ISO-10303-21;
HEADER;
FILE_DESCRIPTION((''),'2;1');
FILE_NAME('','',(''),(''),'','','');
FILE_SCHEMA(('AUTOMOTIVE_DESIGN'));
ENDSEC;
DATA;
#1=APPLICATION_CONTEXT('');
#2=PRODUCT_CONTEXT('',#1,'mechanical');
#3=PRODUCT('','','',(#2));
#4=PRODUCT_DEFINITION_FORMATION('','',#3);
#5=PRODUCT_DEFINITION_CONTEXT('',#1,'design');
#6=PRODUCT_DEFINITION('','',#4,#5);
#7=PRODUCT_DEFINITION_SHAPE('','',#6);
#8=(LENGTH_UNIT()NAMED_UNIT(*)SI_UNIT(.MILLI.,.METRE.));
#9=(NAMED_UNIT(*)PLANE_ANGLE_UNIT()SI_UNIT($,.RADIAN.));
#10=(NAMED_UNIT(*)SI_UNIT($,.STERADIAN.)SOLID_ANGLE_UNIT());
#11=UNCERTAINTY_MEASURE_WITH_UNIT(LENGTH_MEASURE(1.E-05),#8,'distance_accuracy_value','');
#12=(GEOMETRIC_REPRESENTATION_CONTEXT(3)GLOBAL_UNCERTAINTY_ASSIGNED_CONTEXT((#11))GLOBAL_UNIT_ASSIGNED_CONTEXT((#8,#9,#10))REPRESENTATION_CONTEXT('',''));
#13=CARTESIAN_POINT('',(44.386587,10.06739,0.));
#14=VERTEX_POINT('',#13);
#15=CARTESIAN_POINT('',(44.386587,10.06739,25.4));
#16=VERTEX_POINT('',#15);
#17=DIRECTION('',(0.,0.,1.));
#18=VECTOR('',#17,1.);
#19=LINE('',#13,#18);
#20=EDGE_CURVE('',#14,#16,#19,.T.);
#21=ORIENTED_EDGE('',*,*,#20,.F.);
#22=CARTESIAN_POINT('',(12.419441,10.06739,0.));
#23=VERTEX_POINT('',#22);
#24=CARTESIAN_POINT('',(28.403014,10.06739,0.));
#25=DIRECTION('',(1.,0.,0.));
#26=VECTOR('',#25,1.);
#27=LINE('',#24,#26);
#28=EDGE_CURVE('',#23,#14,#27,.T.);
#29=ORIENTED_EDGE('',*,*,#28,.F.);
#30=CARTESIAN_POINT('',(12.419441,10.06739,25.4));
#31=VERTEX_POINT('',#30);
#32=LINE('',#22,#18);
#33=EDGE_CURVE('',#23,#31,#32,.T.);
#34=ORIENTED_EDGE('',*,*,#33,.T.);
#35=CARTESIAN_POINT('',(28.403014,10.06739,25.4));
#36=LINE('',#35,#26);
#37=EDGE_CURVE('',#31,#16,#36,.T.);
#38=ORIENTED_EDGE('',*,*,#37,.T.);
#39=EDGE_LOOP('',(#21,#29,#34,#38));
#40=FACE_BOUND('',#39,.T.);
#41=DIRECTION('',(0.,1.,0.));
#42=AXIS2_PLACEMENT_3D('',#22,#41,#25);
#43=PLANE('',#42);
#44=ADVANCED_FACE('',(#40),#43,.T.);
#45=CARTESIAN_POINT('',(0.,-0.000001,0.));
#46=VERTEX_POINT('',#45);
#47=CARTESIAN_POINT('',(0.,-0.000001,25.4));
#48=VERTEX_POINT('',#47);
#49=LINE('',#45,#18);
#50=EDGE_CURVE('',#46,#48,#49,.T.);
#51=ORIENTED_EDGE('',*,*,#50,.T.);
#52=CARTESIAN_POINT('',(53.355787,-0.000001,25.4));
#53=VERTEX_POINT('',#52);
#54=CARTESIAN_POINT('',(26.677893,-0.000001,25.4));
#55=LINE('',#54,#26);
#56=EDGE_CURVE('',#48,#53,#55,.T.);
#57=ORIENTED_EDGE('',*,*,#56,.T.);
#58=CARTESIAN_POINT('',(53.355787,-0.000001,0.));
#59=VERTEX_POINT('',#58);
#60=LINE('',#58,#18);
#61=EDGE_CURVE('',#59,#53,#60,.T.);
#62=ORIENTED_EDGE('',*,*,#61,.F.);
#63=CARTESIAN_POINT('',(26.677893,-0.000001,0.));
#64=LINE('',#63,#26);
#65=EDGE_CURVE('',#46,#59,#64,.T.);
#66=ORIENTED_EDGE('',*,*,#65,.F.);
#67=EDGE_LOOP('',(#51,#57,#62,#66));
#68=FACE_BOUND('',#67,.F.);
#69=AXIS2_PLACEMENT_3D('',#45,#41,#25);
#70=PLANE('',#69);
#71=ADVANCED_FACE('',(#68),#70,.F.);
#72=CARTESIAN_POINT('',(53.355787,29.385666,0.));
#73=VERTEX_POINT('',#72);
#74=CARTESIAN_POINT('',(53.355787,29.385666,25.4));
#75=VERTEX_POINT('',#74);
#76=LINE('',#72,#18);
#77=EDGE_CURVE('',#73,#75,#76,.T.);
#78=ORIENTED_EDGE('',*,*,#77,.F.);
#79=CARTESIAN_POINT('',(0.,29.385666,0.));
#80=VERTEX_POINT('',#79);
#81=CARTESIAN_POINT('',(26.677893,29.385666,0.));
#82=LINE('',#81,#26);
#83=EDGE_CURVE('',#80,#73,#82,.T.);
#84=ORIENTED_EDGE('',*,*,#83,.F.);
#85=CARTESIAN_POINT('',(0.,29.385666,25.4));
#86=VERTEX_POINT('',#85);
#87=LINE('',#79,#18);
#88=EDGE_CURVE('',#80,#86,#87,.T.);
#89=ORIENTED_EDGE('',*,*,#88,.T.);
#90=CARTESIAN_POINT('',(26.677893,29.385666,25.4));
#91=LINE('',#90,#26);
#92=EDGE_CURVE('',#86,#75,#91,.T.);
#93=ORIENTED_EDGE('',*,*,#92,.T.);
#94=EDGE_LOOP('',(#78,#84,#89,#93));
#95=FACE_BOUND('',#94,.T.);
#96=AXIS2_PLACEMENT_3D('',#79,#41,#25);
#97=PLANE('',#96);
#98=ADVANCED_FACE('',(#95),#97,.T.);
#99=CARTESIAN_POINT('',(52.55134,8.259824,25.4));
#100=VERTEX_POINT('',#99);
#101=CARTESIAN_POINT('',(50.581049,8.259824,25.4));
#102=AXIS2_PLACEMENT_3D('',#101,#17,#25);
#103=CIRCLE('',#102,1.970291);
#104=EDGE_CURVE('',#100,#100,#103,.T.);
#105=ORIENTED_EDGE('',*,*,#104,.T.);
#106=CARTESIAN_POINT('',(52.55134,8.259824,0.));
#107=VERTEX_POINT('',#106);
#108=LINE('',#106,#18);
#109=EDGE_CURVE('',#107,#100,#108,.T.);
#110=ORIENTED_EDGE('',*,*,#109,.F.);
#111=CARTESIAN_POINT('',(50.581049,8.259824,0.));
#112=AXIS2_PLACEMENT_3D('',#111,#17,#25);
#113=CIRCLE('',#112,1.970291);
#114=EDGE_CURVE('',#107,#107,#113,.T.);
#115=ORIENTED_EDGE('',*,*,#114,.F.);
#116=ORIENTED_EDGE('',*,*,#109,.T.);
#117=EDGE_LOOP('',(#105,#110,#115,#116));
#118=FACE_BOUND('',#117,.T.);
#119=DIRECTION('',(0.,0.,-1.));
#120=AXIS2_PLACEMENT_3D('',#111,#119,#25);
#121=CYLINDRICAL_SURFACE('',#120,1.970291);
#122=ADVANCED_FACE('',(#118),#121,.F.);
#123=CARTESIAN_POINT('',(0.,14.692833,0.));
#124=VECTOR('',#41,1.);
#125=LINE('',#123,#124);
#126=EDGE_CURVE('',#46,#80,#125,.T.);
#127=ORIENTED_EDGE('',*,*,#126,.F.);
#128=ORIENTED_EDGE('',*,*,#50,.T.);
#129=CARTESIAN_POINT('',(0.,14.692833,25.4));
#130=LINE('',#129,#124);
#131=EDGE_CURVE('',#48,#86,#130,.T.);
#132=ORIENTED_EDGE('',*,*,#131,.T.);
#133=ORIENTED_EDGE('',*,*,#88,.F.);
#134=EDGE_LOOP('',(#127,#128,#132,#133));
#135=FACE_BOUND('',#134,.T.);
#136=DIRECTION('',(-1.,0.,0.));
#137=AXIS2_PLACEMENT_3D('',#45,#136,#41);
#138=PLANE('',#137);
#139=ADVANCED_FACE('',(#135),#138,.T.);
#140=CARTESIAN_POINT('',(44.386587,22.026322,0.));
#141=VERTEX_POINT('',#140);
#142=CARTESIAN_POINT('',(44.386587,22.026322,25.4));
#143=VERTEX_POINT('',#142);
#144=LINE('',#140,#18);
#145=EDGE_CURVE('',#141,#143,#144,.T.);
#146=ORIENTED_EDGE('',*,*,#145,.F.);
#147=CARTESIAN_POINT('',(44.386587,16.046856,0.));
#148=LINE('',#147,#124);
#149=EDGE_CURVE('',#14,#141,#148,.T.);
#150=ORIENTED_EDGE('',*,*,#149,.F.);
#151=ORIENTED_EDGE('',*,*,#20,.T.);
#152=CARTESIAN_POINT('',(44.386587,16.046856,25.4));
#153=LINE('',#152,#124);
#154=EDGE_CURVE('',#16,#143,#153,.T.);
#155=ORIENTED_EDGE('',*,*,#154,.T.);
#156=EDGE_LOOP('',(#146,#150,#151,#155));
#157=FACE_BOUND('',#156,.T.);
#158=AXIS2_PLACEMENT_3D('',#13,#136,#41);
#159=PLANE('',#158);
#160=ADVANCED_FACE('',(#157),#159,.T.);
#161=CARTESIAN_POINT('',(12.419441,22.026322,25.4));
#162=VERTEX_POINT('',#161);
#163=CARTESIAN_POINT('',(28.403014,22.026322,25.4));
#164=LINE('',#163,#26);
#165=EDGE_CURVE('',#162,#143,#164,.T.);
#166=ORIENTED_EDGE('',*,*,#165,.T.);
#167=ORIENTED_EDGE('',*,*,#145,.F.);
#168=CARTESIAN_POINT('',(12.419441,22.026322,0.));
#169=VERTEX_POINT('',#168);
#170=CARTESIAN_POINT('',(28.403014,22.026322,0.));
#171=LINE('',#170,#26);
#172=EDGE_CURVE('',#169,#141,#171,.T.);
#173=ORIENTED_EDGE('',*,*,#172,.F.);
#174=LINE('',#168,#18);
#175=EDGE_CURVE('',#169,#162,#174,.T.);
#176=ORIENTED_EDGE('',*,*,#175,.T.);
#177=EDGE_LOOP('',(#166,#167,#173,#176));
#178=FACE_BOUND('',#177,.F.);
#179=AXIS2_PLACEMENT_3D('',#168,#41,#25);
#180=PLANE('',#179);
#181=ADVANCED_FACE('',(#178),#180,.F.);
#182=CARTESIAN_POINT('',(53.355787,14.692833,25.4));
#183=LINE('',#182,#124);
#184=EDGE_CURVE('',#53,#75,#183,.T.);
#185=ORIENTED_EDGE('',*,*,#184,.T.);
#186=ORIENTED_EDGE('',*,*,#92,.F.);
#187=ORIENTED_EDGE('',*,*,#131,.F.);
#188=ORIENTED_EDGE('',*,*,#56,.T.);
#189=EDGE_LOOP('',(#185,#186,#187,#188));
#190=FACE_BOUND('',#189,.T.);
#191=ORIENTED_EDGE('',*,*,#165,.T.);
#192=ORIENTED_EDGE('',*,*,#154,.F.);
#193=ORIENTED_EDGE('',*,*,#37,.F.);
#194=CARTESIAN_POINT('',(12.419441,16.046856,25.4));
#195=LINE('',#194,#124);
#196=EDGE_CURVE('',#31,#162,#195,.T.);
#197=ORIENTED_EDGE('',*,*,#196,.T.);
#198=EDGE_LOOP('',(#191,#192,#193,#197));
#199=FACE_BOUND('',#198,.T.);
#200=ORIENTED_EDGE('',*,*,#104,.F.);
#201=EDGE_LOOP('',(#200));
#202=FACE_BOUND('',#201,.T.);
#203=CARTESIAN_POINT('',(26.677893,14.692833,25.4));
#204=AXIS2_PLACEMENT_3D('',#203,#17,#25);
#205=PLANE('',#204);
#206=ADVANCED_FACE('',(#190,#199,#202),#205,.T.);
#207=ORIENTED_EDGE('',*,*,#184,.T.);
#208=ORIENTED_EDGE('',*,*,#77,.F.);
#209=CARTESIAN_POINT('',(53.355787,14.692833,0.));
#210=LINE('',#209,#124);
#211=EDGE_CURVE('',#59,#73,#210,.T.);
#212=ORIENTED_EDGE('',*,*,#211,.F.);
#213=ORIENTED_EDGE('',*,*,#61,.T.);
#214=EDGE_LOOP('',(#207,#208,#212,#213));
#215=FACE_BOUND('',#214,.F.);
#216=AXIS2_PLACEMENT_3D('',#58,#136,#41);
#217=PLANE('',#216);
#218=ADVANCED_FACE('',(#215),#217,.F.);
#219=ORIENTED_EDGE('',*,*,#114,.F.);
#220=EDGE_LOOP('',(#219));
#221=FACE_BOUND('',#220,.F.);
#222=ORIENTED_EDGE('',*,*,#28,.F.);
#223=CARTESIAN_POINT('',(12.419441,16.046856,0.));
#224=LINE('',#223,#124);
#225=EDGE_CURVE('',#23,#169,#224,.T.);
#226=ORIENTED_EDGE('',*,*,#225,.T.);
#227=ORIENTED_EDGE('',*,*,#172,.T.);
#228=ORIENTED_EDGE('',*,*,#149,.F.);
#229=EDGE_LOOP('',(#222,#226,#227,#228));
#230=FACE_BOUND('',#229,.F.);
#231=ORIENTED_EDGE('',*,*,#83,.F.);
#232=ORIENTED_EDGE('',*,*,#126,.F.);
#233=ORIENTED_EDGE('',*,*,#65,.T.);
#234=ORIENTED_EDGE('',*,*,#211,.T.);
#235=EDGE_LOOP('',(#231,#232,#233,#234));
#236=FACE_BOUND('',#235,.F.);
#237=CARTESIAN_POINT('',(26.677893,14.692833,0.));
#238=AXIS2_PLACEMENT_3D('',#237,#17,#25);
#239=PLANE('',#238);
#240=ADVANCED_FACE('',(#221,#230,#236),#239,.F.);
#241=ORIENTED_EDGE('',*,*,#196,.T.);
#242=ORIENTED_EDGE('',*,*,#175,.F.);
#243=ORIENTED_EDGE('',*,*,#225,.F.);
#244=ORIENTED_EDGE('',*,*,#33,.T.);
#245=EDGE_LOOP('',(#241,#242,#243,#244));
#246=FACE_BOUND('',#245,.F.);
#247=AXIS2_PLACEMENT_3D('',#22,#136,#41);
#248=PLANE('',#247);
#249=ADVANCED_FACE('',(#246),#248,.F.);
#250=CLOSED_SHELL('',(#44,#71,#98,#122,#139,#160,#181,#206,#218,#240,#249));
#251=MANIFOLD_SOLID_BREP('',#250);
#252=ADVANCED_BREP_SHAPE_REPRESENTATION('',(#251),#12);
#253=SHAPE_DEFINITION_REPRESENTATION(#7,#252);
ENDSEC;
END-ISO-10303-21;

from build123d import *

# Parameters (mm, degrees)
F0_W     = 53.355787
F0_H     = 29.385667
F0_R     = 1.970291
F0_W_2   = 31.967147
F0_H_2   = 11.958933
F1_DEPTH = 25.4


with BuildPart() as f1:
    # F0 (on Top) → F1 (new body)
    with BuildSketch(Plane.XY):
        with Locations((26.677893, 14.692833)):
            Rectangle(F0_W, F0_H)
        with Locations((50.581049, 8.259824)):
            Circle(F0_R, mode=Mode.SUBTRACT)
        with Locations((28.403014, 16.046856)):
            Rectangle(F0_W_2, F0_H_2, mode=Mode.SUBTRACT)
    extrude(amount=F1_DEPTH)


solid = f1.part
